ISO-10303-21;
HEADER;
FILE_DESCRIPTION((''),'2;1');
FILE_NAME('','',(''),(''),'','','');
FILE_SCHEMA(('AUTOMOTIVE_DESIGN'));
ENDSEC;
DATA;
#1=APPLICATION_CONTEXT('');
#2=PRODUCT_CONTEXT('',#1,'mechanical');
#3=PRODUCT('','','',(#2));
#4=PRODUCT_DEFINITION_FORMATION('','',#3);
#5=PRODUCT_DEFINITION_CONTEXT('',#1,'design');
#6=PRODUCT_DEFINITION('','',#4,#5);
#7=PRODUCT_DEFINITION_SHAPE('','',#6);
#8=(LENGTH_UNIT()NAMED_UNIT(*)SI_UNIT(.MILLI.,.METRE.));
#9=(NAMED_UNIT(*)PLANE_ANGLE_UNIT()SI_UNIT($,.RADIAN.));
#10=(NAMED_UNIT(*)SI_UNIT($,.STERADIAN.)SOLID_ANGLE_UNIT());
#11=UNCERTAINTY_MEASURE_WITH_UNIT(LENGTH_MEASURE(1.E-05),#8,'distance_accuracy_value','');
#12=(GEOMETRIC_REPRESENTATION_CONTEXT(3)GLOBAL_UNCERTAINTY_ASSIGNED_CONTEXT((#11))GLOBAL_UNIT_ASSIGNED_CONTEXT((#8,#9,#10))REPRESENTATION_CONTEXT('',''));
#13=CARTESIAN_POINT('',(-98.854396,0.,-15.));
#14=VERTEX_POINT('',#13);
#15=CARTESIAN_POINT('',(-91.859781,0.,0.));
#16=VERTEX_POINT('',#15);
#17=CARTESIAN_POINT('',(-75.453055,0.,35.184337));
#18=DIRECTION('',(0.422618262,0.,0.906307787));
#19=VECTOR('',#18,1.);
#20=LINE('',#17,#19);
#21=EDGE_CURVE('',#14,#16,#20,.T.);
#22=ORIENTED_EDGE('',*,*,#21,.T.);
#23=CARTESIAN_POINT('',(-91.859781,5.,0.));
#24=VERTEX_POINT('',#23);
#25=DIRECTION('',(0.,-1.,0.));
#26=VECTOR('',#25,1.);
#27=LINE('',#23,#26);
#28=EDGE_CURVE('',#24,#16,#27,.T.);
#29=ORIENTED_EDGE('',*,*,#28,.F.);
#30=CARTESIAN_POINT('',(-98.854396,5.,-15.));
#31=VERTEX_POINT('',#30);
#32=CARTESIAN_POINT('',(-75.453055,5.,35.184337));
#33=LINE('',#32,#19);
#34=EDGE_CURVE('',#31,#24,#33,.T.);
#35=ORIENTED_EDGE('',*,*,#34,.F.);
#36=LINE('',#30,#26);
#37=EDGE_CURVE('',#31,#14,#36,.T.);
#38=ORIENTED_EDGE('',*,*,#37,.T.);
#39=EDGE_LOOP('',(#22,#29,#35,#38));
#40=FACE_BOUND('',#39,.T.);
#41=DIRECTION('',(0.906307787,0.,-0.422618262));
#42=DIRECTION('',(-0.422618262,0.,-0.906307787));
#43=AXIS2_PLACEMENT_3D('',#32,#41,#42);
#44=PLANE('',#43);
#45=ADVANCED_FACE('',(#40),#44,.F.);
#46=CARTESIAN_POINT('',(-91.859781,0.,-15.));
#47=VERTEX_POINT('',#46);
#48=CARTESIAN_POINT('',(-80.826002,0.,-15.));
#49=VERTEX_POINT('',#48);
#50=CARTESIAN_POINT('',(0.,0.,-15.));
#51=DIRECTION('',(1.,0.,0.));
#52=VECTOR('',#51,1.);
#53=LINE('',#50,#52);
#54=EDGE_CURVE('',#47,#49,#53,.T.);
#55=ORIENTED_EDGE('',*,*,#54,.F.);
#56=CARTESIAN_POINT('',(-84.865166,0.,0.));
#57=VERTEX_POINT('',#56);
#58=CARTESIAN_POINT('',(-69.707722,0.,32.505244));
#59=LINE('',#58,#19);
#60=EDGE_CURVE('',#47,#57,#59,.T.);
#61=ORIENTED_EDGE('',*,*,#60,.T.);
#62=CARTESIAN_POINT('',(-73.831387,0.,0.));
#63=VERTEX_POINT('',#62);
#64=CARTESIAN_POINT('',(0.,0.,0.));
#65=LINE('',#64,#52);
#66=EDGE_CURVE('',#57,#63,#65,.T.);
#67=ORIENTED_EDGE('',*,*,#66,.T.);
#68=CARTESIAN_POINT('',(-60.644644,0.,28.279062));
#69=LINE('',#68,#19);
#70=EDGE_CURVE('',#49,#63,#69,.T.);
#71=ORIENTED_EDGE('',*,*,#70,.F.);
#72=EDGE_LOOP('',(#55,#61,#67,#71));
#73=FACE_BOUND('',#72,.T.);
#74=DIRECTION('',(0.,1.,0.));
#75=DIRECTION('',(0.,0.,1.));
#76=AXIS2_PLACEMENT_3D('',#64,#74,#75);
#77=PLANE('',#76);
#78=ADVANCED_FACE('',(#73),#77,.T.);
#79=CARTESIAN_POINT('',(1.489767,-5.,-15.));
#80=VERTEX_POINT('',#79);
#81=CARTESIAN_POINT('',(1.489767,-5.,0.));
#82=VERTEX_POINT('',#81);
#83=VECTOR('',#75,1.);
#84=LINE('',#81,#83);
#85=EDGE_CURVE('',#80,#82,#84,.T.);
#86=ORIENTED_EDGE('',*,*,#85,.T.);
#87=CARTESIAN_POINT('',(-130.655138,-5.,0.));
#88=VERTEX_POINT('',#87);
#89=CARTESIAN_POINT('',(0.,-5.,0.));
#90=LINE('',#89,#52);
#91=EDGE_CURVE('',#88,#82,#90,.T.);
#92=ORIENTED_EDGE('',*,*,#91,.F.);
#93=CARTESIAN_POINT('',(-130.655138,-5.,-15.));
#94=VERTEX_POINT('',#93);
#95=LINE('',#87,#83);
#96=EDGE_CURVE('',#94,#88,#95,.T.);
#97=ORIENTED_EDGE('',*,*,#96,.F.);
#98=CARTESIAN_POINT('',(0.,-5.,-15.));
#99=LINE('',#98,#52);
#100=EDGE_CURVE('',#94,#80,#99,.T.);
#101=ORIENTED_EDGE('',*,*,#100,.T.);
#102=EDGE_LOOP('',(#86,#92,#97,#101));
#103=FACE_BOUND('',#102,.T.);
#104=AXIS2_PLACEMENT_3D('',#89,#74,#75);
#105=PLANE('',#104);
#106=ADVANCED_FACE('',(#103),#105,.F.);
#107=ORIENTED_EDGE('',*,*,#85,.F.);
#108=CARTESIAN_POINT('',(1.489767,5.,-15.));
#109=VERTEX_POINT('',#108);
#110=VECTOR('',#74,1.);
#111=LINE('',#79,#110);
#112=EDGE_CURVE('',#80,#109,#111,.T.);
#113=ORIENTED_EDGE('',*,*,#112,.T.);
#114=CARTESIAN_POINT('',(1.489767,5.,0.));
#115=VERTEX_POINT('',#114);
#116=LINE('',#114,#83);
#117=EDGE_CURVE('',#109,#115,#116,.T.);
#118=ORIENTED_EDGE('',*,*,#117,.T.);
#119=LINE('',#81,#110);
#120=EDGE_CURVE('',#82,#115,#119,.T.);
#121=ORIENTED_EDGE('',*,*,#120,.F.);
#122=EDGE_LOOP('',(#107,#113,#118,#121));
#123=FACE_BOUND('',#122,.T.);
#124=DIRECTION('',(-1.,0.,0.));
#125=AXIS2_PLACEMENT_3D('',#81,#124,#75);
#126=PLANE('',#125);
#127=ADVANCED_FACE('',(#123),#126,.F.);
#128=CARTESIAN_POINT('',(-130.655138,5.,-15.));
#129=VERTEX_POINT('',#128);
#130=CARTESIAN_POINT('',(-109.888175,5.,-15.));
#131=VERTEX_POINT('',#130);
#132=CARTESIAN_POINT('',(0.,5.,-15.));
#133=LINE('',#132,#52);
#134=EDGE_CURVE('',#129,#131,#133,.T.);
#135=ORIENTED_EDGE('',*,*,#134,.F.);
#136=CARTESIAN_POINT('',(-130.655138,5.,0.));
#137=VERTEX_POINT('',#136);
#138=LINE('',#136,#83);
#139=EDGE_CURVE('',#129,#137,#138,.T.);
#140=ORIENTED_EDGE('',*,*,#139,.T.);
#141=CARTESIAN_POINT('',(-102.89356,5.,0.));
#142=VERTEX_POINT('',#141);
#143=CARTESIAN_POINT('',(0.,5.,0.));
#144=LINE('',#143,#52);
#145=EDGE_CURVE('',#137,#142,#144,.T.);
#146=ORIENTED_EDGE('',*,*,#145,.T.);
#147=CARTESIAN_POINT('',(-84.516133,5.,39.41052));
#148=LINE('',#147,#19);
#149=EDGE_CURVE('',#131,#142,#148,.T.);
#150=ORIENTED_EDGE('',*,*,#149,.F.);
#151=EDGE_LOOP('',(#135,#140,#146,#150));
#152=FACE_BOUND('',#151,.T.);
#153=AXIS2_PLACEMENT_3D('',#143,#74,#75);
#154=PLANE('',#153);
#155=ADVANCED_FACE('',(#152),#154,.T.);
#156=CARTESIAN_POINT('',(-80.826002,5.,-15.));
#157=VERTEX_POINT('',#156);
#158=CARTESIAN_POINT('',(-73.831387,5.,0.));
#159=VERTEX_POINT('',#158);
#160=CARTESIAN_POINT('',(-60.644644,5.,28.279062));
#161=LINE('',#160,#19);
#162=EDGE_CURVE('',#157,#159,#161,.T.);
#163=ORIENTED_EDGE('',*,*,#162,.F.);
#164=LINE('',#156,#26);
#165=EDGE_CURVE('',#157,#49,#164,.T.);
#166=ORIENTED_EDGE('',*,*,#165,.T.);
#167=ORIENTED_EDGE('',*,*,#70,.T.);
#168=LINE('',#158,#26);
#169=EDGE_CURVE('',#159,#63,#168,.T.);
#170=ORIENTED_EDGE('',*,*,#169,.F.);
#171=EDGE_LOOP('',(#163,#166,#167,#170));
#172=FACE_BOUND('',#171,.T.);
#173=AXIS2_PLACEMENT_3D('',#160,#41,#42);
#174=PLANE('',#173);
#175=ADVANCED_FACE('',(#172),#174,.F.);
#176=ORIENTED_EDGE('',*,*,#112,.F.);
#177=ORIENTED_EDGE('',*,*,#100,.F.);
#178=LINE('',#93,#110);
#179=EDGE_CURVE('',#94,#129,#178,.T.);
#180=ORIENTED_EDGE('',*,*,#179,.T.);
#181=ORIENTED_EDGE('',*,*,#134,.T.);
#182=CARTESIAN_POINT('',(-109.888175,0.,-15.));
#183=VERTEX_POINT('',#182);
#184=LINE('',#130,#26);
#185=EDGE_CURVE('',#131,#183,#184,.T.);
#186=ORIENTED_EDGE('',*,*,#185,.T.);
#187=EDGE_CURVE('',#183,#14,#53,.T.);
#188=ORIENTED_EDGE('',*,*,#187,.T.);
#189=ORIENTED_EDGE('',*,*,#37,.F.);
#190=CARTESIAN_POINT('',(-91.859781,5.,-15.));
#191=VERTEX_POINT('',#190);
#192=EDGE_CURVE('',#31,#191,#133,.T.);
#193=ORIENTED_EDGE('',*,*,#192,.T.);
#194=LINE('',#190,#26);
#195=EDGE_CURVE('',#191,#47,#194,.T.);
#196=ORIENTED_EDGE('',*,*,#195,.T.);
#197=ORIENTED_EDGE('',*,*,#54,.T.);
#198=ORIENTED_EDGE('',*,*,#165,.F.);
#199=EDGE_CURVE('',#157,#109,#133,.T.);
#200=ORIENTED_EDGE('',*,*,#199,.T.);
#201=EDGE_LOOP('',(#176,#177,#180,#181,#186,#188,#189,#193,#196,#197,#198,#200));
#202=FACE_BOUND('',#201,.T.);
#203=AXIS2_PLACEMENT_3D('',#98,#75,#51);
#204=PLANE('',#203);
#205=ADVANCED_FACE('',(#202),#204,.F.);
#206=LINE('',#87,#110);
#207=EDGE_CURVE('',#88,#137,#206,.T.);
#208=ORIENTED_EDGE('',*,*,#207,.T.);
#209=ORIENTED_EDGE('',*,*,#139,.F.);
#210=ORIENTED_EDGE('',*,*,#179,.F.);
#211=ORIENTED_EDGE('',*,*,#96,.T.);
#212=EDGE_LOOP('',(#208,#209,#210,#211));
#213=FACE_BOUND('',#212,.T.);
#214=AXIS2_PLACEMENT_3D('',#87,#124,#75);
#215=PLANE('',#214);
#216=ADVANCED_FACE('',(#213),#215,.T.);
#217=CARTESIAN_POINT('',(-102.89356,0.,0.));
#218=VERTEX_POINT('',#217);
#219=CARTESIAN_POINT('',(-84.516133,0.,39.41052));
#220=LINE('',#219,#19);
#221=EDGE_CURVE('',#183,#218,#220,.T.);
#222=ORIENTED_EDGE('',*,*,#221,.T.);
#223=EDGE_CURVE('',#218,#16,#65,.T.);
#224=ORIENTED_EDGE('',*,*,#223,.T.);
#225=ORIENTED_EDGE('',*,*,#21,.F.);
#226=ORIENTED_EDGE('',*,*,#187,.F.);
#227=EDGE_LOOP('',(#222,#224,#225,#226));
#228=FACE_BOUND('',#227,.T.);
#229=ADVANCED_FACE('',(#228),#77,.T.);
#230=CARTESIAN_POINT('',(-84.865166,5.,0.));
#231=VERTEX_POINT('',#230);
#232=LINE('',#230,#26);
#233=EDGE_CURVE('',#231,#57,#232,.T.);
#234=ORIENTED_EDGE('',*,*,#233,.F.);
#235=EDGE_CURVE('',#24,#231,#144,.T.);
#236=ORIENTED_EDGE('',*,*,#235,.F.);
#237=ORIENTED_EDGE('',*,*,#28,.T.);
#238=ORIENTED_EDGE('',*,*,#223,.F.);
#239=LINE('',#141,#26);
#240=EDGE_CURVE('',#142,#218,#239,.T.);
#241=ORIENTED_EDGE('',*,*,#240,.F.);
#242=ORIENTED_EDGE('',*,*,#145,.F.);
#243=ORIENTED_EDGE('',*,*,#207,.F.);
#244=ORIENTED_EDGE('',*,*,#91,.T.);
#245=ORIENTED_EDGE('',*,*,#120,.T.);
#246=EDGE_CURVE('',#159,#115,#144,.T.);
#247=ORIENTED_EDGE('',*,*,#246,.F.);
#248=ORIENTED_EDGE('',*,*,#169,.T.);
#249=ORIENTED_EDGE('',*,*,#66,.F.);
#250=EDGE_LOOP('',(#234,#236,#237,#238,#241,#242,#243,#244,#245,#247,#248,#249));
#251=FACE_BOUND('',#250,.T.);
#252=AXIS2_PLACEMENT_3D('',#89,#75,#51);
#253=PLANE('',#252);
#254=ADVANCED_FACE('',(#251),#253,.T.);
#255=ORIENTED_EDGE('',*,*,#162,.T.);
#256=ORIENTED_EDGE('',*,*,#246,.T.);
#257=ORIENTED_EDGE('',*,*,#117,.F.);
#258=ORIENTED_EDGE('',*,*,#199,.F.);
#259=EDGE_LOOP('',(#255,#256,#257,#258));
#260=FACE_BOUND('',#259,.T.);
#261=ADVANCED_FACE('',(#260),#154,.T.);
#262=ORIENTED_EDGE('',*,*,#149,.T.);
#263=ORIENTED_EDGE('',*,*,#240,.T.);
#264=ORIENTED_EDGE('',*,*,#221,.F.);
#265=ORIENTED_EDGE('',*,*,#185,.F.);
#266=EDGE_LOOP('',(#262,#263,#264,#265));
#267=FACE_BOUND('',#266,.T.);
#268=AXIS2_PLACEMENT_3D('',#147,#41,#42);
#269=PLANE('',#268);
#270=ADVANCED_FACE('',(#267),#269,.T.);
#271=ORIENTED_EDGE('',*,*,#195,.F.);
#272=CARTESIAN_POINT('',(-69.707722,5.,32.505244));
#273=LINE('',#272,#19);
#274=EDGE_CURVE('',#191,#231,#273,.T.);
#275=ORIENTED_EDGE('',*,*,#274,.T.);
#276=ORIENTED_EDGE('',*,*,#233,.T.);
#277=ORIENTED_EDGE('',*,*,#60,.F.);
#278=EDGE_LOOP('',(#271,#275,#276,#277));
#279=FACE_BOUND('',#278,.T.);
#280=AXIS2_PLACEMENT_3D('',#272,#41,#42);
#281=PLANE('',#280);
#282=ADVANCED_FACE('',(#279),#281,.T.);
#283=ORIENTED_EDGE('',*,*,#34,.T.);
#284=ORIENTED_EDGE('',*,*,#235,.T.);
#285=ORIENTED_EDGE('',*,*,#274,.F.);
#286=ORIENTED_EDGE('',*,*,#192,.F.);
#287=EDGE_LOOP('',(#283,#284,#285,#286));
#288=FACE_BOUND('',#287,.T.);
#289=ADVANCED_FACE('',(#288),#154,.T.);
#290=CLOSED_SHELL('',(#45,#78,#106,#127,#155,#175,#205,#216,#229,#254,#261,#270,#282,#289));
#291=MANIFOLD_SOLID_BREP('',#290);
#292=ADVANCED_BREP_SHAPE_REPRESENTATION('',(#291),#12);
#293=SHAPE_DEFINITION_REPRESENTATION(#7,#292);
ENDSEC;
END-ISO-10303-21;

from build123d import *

# Parameters (mm, degrees)
SKETCH1_W           = 132.14490548
SKETCH1_H           = 15
BOSS_EXTRUDE1_DEPTH = 5
BOSS_EXTRUDE2_DEPTH = 5


with BuildPart() as part:
    # Sketch1 → Boss-Extrude1 (new body)
    with BuildSketch(Plane(origin=(0, 0, 0), x_dir=(1, 0, 0), z_dir=(0, 1, 0))):
        with Locations((-64.5826857, 7.5)):
            Rectangle(SKETCH1_W, SKETCH1_H)
    extrude(amount=-BOSS_EXTRUDE1_DEPTH)

    # Sketch1<3> → Boss-Extrude2 (add)
    with BuildSketch(Plane(origin=(0, 0, 0), x_dir=(1, 0, 0), z_dir=(0, 1, 0))):
        Polygon((-109.888174915, 15), (-130.65513844, 15), (-130.65513844, 0), (-102.893560042, 0), align=None)
        Polygon((-91.859780853, 15), (-98.854395725, 15), (-91.859780853, 0), (-84.86516598, 0), align=None)
        Polygon((1.48976704, 15), (-80.826001663, 15), (-73.831386791, 0), (1.48976704, 0), align=None)
    extrude(amount=BOSS_EXTRUDE2_DEPTH)


solid = part.part
